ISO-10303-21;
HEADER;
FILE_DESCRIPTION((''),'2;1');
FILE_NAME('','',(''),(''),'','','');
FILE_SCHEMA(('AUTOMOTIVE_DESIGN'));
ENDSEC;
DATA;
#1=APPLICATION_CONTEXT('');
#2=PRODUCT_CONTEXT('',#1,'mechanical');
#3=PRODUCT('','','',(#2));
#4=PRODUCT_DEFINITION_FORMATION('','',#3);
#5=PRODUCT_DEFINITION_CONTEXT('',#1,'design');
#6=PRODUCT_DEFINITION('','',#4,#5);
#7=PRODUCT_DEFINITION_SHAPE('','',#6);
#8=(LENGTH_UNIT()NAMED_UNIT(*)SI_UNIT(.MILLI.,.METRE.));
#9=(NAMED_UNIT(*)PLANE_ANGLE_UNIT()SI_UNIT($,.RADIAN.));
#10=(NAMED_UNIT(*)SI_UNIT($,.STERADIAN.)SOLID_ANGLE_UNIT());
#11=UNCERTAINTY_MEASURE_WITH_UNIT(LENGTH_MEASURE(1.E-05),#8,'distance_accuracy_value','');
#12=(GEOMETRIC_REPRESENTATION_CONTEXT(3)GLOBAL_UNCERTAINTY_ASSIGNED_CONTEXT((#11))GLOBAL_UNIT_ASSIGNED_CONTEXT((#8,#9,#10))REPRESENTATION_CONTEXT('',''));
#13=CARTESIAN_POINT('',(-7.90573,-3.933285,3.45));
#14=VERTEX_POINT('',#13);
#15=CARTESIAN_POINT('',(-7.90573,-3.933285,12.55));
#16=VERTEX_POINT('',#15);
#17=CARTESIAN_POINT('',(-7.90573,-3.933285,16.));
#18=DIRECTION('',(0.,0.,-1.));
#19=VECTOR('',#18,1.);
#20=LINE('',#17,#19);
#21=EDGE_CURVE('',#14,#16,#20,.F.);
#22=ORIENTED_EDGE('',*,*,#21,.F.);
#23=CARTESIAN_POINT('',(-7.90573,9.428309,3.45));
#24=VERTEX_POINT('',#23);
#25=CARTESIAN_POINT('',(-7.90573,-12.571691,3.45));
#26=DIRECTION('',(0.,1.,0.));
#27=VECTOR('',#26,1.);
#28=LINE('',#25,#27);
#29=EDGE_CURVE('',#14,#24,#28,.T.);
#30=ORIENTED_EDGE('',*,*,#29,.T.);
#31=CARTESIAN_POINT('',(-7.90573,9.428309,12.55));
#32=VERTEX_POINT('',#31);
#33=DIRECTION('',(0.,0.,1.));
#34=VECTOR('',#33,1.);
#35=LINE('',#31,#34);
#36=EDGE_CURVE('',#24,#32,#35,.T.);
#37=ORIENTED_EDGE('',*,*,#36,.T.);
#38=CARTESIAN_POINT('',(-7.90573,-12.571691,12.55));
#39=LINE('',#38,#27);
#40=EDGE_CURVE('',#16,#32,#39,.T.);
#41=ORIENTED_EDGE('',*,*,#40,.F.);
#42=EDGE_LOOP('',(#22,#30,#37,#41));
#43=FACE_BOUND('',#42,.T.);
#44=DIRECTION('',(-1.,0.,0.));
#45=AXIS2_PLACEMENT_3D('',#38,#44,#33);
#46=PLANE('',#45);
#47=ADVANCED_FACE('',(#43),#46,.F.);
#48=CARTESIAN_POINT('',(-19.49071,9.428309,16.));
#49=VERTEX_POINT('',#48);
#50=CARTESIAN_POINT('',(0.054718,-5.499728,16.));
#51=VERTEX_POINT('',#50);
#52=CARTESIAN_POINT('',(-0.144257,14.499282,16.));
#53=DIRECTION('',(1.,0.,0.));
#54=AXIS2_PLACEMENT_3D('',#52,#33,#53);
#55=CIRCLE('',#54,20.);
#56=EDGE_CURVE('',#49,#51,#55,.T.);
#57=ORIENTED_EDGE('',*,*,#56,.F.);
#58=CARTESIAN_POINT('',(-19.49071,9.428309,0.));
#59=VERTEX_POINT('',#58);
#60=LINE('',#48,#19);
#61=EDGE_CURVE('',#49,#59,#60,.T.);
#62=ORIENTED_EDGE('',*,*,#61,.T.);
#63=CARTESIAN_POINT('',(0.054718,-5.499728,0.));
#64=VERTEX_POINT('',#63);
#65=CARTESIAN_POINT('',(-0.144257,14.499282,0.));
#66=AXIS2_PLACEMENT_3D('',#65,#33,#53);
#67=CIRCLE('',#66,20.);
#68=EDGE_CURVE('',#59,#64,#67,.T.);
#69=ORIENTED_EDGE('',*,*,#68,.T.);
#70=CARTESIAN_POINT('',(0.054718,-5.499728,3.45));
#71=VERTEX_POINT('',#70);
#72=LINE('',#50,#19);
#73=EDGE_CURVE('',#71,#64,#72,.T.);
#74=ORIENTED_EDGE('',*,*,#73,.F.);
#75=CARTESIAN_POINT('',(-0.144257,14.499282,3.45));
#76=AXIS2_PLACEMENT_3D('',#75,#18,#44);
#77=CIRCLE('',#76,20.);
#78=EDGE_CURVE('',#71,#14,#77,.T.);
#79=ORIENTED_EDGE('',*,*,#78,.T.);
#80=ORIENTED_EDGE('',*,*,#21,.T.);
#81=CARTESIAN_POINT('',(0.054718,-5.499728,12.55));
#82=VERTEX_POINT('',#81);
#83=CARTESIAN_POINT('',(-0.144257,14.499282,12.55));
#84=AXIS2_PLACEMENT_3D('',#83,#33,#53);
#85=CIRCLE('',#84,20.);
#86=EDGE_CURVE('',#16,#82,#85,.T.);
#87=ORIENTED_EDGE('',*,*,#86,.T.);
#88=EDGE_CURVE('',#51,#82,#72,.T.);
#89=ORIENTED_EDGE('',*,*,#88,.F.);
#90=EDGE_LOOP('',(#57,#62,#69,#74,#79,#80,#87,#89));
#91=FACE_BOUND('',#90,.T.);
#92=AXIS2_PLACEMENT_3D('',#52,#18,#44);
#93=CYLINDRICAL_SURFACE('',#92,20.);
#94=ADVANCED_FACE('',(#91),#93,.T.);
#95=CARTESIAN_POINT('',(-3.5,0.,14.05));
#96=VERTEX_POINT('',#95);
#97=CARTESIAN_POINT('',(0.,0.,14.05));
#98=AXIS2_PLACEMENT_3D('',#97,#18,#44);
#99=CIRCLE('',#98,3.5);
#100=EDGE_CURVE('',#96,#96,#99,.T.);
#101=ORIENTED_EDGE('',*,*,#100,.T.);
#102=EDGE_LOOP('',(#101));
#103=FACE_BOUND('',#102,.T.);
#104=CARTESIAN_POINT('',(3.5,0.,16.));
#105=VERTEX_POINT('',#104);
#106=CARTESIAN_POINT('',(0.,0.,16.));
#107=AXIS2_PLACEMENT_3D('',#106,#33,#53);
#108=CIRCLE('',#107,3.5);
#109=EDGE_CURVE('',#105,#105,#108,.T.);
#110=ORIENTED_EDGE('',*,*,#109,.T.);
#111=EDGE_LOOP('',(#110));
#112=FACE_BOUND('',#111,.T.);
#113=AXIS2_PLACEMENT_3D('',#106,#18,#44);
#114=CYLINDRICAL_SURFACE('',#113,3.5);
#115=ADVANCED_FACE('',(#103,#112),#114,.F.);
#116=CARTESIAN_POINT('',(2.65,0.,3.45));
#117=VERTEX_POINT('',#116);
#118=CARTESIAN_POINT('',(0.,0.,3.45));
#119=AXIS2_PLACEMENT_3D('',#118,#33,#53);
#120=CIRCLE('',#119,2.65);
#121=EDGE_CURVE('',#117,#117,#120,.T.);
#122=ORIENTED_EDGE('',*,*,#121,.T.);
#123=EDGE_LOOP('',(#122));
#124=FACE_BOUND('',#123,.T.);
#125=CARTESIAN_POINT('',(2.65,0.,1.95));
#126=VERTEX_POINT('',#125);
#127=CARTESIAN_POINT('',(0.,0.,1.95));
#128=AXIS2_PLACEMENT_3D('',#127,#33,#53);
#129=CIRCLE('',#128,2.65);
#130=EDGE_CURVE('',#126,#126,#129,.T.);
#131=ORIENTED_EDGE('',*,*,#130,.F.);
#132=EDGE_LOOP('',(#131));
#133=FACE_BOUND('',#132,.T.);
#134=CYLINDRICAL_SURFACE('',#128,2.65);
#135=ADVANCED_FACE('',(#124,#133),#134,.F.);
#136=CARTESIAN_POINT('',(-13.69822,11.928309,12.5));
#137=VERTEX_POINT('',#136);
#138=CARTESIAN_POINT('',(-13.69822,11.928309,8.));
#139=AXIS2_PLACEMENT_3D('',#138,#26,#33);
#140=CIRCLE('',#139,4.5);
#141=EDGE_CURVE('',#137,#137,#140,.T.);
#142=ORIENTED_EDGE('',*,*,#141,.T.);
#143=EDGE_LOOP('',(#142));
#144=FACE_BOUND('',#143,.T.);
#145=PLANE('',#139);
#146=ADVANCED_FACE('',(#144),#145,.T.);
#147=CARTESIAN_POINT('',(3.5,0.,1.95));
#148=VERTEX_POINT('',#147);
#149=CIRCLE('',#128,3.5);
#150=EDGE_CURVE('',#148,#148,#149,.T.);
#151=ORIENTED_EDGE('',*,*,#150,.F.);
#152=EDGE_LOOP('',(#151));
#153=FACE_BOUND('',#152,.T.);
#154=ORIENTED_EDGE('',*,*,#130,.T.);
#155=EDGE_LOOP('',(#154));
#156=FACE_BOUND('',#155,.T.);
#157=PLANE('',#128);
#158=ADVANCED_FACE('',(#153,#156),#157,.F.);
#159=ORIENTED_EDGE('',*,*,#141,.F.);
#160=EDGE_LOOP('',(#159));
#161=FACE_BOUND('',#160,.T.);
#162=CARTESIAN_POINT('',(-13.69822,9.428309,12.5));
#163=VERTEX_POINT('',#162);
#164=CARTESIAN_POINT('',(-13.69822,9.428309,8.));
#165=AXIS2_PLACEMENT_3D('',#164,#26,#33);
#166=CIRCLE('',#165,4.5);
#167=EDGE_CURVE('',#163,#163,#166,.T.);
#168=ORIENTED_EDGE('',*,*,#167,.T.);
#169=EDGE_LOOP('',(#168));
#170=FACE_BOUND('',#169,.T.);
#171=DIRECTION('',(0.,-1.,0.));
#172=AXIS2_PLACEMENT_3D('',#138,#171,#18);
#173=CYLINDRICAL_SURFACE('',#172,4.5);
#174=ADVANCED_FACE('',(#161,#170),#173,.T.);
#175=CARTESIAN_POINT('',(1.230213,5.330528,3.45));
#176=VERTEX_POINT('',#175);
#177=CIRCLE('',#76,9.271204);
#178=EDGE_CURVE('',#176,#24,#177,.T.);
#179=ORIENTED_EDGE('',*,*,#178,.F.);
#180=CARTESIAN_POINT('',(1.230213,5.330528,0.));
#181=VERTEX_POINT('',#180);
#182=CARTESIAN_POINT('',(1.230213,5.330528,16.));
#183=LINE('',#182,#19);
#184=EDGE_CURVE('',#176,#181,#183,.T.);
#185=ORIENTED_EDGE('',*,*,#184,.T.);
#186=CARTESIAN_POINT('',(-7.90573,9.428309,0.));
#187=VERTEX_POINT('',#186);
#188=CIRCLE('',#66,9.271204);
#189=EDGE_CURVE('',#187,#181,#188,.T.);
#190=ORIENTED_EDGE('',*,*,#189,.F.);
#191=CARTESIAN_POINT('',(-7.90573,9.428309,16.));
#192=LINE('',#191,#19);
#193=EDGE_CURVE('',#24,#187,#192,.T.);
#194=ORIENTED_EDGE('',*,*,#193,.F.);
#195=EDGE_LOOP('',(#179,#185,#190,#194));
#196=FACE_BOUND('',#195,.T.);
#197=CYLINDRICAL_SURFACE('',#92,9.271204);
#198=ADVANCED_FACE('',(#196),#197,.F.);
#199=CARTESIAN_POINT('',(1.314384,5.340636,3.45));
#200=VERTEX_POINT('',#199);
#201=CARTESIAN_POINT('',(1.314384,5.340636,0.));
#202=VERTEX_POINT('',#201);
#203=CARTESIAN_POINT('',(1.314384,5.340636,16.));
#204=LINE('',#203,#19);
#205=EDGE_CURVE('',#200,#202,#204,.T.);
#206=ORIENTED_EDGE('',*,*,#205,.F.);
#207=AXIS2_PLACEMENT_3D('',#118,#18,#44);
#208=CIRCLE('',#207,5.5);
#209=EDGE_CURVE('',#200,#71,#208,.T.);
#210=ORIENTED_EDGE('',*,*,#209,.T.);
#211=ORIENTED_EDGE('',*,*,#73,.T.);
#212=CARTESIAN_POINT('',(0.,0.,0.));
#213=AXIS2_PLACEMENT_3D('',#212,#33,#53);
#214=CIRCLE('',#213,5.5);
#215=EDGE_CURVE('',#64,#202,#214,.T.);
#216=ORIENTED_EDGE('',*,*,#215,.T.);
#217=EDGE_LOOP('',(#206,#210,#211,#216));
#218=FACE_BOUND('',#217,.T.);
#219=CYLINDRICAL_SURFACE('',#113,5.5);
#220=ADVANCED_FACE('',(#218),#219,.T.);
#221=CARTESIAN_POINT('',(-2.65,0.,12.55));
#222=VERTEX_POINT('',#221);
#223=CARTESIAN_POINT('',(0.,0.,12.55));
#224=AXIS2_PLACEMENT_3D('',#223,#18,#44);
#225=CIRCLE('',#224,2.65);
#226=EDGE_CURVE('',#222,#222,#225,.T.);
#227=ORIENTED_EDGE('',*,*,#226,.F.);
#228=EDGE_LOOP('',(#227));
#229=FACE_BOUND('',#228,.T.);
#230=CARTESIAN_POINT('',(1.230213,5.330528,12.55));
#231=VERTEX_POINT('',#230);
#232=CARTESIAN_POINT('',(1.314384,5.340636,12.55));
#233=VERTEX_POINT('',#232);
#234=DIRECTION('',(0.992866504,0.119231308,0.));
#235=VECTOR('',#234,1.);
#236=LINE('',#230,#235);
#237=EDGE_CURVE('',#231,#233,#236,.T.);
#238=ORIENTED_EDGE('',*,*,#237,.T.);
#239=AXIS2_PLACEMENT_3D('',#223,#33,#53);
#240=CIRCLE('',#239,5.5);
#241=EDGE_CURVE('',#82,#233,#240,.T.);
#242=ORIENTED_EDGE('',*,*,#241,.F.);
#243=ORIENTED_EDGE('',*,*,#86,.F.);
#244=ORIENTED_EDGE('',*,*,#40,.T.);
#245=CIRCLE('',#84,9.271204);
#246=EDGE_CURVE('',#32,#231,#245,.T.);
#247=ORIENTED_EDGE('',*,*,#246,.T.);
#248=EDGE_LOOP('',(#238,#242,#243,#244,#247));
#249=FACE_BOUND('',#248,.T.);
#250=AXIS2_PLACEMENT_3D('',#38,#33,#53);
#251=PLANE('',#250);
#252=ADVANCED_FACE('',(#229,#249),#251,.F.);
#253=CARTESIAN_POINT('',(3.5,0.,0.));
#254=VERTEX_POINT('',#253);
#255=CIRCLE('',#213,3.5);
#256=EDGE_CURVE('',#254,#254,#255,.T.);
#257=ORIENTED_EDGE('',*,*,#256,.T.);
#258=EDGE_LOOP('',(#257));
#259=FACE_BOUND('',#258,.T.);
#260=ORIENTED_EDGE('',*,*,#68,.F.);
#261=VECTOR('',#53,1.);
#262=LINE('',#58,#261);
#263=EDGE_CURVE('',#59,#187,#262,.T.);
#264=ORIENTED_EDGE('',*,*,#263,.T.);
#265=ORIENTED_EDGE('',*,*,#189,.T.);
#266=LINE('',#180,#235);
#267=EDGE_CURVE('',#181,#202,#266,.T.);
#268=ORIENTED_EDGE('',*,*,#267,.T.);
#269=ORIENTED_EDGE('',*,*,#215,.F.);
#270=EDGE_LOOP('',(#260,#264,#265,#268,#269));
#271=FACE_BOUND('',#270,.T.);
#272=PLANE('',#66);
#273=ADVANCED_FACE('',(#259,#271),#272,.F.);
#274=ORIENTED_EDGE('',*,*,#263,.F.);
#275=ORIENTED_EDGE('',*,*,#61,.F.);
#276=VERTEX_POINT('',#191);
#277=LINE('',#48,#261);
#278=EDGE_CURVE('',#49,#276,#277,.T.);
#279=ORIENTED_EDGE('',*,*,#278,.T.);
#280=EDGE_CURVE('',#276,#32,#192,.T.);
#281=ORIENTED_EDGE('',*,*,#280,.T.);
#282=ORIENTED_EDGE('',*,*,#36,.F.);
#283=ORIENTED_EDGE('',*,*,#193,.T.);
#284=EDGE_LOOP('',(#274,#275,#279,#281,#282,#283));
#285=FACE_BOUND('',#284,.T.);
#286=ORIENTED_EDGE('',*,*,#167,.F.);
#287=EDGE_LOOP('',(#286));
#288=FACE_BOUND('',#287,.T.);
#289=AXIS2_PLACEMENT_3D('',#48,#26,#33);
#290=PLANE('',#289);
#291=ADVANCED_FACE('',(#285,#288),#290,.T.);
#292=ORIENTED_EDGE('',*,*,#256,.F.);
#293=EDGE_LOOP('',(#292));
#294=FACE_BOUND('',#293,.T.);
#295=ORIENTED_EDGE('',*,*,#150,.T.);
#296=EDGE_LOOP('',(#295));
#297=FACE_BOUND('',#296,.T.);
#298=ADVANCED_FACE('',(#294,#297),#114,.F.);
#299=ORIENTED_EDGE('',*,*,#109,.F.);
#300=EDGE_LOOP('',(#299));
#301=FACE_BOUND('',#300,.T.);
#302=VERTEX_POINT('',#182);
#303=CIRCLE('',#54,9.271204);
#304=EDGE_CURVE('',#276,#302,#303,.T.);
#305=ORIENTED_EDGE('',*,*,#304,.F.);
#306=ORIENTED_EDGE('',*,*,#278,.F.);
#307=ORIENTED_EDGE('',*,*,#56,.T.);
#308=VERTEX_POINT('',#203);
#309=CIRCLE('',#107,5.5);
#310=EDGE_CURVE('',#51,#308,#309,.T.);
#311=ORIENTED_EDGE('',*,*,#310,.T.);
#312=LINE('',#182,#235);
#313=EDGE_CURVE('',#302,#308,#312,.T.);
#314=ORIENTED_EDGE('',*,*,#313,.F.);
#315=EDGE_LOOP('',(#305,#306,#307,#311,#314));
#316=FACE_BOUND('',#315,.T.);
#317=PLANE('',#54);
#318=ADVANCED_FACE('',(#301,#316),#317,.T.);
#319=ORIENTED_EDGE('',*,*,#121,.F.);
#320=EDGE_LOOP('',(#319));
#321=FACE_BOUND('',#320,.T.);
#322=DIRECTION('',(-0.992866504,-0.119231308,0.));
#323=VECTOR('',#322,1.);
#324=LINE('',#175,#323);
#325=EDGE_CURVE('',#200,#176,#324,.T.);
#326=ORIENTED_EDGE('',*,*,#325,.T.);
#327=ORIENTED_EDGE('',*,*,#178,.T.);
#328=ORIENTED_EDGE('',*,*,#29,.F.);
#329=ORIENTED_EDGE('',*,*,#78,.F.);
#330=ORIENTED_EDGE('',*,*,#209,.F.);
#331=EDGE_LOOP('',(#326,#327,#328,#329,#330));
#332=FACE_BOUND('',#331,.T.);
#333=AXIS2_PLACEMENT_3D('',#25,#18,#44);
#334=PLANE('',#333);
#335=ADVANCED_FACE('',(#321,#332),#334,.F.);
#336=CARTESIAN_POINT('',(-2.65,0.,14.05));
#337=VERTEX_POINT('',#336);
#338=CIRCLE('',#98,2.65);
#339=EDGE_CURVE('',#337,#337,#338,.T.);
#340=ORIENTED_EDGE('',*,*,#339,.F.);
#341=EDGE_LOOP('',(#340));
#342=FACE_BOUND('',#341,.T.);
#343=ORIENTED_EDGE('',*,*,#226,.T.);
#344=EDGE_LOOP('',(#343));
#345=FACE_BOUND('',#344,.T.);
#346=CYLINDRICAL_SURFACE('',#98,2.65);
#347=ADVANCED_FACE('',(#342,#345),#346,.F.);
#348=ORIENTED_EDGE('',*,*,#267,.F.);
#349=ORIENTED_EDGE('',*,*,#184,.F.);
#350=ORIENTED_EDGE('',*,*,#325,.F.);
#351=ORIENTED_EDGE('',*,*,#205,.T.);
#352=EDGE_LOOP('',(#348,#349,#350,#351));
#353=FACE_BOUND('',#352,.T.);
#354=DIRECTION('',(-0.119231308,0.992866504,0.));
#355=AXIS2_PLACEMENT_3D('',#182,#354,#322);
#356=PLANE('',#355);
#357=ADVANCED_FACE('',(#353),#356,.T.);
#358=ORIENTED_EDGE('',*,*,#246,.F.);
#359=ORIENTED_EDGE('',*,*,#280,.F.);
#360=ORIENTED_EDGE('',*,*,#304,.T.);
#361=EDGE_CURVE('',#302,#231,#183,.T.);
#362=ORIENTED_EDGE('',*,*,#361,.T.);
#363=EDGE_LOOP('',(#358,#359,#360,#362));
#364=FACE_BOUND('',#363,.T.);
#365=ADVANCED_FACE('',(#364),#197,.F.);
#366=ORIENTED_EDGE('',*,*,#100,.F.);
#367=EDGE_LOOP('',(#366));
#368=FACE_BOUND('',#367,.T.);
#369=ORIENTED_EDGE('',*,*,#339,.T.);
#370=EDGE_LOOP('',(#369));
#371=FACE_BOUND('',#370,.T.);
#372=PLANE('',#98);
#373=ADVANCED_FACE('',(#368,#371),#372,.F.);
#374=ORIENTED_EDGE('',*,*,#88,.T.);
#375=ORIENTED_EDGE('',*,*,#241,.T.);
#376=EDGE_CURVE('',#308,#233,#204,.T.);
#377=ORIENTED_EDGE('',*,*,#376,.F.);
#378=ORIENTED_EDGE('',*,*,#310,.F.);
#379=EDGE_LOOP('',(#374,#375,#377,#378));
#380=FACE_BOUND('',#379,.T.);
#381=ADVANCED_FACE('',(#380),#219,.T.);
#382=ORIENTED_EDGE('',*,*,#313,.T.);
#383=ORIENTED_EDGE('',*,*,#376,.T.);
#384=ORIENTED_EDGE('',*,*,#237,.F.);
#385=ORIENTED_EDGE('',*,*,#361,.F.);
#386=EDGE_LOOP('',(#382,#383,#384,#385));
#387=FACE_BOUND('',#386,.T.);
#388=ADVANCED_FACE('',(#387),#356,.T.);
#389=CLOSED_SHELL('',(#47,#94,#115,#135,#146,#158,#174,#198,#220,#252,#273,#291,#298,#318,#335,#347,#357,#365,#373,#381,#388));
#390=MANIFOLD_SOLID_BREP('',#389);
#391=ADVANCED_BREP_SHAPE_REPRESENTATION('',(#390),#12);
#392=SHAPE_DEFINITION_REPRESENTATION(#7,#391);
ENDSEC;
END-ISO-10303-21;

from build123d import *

# Parameters (mm, degrees)
CROQUIS1_R              = 3.5
SALIENTE_EXTRUIR1_DEPTH = 16
CROQUIS2_W              = 18.232700604
CROQUIS2_H              = 9.1
CORTAR_EXTRUIR1_DEPTH   = 22
CROQUIS3_R              = 3.5
CROQUIS3_R_2            = 2.65
SALIENTE_EXTRUIR2_DEPTH = 1.5
SALIENTE_EXTRUIR3_START = -1.5
CROQUIS4_R              = 3.5
CROQUIS4_R_2            = 2.65
SALIENTE_EXTRUIR3_DEPTH = 1.5
CROQUIS5_R              = 4.5
SALIENTE_EXTRUIR4_DEPTH = 2.5


with BuildPart() as part:
    # Croquis1 → Saliente-Extruir1 (new body)
    with BuildSketch(Plane.XY):
        with BuildLine():
            Line((-19.490709772, 9.428309156), (-7.90572953, 9.428309156))
            ThreePointArc((-7.90572953, 9.428309156), (-3.938516352, 6.040037718), (1.230212675, 5.330528037))
            Line((1.230212675, 5.330528037), (1.314384466, 5.340636055))
            ThreePointArc((1.314384466, 5.340636055), (5.463239212, -0.634836445), (0.054718216, -5.499727804))
            ThreePointArc((0.054718216, -5.499727804), (-12.283781153, -1.395117758), (-19.490709772, 9.428309156))
        make_face()
        Circle(CROQUIS1_R, mode=Mode.SUBTRACT)
    extrude(amount=SALIENTE_EXTRUIR1_DEPTH)

    # Croquis2 → Cortar-Extruir1 (cut)
    with BuildSketch(Plane(origin=(0, 9.428309156, 0), x_dir=(1, 0, 0), z_dir=(0, 1, 0))):
        with Locations((1.210620772, -8)):
            Rectangle(CROQUIS2_W, CROQUIS2_H)
    extrude(amount=-CORTAR_EXTRUIR1_DEPTH, mode=Mode.SUBTRACT)

    # Croquis3 → Saliente-Extruir2 (add)
    with BuildSketch(Plane(origin=(0, 0, 12.55), x_dir=(-1, 0, 0), z_dir=(0, 0, -1))):
        Circle(CROQUIS3_R)
        Circle(CROQUIS3_R_2, mode=Mode.SUBTRACT)
    extrude(amount=-SALIENTE_EXTRUIR2_DEPTH)

    # Croquis4 → Saliente-Extruir3 (add)
    with BuildSketch(Plane.XY.offset(3.45).offset(SALIENTE_EXTRUIR3_START)):
        Circle(CROQUIS4_R)
        with Locations(Location((0, 0, 0), (0, 0, 180))):
            Circle(CROQUIS4_R_2, mode=Mode.SUBTRACT)
    extrude(amount=SALIENTE_EXTRUIR3_DEPTH)

    # Croquis5 → Saliente-Extruir4 (add)
    with BuildSketch(Plane(origin=(0, 9.428309156, 0), x_dir=(1, 0, 0), z_dir=(0, 1, 0))):
        with Locations(Location((-13.698219651, -8, 0), (0, 0, 270))):
            Circle(CROQUIS5_R)
    extrude(amount=SALIENTE_EXTRUIR4_DEPTH)


solid = part.part
